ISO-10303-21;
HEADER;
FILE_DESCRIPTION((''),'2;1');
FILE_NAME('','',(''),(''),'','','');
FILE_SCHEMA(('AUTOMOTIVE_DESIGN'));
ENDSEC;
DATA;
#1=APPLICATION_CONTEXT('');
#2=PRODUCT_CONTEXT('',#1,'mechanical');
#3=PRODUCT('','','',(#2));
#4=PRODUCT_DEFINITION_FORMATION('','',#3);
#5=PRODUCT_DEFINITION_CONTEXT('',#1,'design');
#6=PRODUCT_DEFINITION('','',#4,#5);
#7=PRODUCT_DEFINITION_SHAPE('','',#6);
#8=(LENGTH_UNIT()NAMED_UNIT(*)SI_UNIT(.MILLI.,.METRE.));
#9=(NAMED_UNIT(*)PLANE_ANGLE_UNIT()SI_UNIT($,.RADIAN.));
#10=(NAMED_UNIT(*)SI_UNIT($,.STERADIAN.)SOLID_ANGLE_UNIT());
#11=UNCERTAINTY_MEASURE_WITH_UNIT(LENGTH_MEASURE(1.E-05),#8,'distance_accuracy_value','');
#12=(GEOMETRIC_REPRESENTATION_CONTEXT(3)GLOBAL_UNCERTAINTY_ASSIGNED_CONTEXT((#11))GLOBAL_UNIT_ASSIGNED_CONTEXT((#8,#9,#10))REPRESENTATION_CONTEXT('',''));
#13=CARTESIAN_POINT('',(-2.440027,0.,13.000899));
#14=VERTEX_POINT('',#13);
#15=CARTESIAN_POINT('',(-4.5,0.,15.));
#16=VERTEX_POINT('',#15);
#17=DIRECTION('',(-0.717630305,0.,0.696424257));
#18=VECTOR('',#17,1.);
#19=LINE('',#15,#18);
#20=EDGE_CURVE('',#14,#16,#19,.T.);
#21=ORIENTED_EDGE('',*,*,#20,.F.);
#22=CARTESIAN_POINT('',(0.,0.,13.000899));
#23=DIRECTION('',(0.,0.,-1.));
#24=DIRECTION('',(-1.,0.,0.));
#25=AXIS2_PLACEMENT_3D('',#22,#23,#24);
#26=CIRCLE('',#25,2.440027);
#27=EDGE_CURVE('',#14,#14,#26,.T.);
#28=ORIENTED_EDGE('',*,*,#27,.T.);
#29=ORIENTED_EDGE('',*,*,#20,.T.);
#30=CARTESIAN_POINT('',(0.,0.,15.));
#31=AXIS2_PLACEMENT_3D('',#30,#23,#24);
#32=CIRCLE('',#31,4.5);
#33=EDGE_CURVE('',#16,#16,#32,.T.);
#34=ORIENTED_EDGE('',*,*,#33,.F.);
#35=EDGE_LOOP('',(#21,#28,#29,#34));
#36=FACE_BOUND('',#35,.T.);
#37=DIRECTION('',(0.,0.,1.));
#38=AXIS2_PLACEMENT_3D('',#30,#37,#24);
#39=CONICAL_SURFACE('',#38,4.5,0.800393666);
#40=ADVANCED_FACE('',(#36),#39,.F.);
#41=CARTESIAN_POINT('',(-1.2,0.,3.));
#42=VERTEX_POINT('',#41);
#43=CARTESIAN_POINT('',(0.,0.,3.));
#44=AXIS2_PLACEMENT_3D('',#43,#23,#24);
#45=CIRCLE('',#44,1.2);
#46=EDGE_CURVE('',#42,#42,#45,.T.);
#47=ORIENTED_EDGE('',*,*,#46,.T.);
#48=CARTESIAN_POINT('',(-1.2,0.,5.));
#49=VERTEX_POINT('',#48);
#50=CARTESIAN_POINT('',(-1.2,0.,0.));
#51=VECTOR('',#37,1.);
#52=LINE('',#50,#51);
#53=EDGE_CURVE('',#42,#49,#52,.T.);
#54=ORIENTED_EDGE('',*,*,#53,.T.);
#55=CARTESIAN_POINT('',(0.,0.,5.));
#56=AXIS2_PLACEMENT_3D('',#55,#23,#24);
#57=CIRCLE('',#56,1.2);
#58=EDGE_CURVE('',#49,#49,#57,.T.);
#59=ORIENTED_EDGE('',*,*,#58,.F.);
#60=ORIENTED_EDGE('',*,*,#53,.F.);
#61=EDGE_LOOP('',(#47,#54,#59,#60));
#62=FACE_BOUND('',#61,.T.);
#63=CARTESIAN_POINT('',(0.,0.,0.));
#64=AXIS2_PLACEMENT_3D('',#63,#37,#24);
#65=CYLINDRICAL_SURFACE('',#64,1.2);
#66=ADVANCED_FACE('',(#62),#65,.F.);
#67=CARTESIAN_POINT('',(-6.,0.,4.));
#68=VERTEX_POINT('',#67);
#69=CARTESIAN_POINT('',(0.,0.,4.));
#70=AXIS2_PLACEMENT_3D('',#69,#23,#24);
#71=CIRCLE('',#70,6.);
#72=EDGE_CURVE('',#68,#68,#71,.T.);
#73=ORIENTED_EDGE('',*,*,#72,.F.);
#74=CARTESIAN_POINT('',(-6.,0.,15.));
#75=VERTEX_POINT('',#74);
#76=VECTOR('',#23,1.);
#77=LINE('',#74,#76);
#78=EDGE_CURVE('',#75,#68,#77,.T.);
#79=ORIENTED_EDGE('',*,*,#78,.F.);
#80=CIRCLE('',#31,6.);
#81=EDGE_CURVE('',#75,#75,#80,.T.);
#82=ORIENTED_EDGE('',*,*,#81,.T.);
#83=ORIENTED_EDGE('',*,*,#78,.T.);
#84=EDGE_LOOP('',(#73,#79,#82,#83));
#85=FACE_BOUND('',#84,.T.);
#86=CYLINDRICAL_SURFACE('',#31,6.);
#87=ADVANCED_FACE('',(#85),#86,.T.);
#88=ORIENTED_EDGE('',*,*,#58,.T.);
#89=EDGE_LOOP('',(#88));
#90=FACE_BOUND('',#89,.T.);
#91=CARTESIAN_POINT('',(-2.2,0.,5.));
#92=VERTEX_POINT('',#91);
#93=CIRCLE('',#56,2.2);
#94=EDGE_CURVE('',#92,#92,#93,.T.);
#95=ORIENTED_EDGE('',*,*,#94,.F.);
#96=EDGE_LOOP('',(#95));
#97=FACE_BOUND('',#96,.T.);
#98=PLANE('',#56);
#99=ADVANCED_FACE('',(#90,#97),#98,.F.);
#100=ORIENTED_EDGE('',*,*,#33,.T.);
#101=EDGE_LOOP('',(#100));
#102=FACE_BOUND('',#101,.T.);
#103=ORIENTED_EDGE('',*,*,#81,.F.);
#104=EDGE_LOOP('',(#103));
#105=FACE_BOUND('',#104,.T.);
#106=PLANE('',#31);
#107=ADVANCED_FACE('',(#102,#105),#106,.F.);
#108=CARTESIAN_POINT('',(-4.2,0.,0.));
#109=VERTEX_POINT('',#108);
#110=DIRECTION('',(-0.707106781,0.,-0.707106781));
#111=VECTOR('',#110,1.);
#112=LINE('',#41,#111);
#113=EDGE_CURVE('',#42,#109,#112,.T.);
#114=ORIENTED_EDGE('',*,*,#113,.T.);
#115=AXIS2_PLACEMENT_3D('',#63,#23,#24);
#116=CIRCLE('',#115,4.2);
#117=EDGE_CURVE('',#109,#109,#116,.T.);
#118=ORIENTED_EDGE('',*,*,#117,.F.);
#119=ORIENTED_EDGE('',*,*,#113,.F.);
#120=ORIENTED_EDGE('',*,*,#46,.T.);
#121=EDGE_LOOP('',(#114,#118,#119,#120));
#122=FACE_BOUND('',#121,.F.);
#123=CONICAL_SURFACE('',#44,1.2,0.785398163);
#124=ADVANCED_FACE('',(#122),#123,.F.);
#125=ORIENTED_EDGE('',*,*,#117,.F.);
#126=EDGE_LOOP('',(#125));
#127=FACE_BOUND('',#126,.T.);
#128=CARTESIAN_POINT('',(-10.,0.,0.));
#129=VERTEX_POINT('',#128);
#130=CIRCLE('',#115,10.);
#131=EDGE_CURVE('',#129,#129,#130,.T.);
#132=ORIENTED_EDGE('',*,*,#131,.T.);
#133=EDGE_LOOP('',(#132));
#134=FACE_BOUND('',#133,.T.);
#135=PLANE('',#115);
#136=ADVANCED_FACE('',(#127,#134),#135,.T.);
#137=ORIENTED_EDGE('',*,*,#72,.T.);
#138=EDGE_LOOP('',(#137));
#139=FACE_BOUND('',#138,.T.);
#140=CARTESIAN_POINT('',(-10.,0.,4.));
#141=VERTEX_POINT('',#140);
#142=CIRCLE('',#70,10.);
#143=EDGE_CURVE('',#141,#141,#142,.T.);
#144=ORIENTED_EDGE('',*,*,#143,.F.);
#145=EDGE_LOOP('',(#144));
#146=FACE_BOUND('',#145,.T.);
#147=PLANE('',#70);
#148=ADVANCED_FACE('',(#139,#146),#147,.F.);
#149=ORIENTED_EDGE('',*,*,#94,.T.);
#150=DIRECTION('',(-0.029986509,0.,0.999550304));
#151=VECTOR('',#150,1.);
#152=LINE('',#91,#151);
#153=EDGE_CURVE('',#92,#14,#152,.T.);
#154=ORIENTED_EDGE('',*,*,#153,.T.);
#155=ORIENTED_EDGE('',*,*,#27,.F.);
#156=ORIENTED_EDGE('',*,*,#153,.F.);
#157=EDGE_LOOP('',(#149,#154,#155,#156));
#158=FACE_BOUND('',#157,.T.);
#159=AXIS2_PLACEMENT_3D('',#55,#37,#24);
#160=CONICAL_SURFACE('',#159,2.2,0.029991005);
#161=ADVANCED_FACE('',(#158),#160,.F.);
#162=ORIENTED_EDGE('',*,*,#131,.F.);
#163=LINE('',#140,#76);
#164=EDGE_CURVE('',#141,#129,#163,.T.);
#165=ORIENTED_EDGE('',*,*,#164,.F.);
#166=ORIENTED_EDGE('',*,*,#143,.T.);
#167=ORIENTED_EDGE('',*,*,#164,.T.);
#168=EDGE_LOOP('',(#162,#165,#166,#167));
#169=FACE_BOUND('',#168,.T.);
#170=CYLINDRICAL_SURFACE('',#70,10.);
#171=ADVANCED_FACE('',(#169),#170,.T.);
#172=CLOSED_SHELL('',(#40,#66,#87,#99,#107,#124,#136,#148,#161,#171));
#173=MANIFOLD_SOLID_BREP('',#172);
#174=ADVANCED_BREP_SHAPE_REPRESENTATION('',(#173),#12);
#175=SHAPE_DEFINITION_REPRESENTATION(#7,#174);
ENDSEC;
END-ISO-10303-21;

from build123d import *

# Parameters (mm, degrees)
F2_SIZE = 3
F3_SIZE = 2


with BuildPart() as f1:
    # F0 (on Front) → F1 (revolve)
    with BuildSketch(Plane.XZ):
        Polygon((-1.2, 0), (-1.2, 5), (-2.2, 5), (-2.5, 15), (-6, 15), (-6, 4), (-10, 4), (-10, 0), align=None)
    revolve(axis=Axis((0, 0, 3.657732), (0, 0, -1)))

    # F2
    f2_edges = [f1.edges().sort_by_distance(p)[0] for p in [
        (1.2, 0, 0),
    ]]
    chamfer(f2_edges, length=F2_SIZE)

    # F3
    f3_edges = [f1.edges().sort_by_distance(p)[0] for p in [
        (2.5, 0, 15),
    ]]
    chamfer(f3_edges, length=F3_SIZE)


solid = f1.part
